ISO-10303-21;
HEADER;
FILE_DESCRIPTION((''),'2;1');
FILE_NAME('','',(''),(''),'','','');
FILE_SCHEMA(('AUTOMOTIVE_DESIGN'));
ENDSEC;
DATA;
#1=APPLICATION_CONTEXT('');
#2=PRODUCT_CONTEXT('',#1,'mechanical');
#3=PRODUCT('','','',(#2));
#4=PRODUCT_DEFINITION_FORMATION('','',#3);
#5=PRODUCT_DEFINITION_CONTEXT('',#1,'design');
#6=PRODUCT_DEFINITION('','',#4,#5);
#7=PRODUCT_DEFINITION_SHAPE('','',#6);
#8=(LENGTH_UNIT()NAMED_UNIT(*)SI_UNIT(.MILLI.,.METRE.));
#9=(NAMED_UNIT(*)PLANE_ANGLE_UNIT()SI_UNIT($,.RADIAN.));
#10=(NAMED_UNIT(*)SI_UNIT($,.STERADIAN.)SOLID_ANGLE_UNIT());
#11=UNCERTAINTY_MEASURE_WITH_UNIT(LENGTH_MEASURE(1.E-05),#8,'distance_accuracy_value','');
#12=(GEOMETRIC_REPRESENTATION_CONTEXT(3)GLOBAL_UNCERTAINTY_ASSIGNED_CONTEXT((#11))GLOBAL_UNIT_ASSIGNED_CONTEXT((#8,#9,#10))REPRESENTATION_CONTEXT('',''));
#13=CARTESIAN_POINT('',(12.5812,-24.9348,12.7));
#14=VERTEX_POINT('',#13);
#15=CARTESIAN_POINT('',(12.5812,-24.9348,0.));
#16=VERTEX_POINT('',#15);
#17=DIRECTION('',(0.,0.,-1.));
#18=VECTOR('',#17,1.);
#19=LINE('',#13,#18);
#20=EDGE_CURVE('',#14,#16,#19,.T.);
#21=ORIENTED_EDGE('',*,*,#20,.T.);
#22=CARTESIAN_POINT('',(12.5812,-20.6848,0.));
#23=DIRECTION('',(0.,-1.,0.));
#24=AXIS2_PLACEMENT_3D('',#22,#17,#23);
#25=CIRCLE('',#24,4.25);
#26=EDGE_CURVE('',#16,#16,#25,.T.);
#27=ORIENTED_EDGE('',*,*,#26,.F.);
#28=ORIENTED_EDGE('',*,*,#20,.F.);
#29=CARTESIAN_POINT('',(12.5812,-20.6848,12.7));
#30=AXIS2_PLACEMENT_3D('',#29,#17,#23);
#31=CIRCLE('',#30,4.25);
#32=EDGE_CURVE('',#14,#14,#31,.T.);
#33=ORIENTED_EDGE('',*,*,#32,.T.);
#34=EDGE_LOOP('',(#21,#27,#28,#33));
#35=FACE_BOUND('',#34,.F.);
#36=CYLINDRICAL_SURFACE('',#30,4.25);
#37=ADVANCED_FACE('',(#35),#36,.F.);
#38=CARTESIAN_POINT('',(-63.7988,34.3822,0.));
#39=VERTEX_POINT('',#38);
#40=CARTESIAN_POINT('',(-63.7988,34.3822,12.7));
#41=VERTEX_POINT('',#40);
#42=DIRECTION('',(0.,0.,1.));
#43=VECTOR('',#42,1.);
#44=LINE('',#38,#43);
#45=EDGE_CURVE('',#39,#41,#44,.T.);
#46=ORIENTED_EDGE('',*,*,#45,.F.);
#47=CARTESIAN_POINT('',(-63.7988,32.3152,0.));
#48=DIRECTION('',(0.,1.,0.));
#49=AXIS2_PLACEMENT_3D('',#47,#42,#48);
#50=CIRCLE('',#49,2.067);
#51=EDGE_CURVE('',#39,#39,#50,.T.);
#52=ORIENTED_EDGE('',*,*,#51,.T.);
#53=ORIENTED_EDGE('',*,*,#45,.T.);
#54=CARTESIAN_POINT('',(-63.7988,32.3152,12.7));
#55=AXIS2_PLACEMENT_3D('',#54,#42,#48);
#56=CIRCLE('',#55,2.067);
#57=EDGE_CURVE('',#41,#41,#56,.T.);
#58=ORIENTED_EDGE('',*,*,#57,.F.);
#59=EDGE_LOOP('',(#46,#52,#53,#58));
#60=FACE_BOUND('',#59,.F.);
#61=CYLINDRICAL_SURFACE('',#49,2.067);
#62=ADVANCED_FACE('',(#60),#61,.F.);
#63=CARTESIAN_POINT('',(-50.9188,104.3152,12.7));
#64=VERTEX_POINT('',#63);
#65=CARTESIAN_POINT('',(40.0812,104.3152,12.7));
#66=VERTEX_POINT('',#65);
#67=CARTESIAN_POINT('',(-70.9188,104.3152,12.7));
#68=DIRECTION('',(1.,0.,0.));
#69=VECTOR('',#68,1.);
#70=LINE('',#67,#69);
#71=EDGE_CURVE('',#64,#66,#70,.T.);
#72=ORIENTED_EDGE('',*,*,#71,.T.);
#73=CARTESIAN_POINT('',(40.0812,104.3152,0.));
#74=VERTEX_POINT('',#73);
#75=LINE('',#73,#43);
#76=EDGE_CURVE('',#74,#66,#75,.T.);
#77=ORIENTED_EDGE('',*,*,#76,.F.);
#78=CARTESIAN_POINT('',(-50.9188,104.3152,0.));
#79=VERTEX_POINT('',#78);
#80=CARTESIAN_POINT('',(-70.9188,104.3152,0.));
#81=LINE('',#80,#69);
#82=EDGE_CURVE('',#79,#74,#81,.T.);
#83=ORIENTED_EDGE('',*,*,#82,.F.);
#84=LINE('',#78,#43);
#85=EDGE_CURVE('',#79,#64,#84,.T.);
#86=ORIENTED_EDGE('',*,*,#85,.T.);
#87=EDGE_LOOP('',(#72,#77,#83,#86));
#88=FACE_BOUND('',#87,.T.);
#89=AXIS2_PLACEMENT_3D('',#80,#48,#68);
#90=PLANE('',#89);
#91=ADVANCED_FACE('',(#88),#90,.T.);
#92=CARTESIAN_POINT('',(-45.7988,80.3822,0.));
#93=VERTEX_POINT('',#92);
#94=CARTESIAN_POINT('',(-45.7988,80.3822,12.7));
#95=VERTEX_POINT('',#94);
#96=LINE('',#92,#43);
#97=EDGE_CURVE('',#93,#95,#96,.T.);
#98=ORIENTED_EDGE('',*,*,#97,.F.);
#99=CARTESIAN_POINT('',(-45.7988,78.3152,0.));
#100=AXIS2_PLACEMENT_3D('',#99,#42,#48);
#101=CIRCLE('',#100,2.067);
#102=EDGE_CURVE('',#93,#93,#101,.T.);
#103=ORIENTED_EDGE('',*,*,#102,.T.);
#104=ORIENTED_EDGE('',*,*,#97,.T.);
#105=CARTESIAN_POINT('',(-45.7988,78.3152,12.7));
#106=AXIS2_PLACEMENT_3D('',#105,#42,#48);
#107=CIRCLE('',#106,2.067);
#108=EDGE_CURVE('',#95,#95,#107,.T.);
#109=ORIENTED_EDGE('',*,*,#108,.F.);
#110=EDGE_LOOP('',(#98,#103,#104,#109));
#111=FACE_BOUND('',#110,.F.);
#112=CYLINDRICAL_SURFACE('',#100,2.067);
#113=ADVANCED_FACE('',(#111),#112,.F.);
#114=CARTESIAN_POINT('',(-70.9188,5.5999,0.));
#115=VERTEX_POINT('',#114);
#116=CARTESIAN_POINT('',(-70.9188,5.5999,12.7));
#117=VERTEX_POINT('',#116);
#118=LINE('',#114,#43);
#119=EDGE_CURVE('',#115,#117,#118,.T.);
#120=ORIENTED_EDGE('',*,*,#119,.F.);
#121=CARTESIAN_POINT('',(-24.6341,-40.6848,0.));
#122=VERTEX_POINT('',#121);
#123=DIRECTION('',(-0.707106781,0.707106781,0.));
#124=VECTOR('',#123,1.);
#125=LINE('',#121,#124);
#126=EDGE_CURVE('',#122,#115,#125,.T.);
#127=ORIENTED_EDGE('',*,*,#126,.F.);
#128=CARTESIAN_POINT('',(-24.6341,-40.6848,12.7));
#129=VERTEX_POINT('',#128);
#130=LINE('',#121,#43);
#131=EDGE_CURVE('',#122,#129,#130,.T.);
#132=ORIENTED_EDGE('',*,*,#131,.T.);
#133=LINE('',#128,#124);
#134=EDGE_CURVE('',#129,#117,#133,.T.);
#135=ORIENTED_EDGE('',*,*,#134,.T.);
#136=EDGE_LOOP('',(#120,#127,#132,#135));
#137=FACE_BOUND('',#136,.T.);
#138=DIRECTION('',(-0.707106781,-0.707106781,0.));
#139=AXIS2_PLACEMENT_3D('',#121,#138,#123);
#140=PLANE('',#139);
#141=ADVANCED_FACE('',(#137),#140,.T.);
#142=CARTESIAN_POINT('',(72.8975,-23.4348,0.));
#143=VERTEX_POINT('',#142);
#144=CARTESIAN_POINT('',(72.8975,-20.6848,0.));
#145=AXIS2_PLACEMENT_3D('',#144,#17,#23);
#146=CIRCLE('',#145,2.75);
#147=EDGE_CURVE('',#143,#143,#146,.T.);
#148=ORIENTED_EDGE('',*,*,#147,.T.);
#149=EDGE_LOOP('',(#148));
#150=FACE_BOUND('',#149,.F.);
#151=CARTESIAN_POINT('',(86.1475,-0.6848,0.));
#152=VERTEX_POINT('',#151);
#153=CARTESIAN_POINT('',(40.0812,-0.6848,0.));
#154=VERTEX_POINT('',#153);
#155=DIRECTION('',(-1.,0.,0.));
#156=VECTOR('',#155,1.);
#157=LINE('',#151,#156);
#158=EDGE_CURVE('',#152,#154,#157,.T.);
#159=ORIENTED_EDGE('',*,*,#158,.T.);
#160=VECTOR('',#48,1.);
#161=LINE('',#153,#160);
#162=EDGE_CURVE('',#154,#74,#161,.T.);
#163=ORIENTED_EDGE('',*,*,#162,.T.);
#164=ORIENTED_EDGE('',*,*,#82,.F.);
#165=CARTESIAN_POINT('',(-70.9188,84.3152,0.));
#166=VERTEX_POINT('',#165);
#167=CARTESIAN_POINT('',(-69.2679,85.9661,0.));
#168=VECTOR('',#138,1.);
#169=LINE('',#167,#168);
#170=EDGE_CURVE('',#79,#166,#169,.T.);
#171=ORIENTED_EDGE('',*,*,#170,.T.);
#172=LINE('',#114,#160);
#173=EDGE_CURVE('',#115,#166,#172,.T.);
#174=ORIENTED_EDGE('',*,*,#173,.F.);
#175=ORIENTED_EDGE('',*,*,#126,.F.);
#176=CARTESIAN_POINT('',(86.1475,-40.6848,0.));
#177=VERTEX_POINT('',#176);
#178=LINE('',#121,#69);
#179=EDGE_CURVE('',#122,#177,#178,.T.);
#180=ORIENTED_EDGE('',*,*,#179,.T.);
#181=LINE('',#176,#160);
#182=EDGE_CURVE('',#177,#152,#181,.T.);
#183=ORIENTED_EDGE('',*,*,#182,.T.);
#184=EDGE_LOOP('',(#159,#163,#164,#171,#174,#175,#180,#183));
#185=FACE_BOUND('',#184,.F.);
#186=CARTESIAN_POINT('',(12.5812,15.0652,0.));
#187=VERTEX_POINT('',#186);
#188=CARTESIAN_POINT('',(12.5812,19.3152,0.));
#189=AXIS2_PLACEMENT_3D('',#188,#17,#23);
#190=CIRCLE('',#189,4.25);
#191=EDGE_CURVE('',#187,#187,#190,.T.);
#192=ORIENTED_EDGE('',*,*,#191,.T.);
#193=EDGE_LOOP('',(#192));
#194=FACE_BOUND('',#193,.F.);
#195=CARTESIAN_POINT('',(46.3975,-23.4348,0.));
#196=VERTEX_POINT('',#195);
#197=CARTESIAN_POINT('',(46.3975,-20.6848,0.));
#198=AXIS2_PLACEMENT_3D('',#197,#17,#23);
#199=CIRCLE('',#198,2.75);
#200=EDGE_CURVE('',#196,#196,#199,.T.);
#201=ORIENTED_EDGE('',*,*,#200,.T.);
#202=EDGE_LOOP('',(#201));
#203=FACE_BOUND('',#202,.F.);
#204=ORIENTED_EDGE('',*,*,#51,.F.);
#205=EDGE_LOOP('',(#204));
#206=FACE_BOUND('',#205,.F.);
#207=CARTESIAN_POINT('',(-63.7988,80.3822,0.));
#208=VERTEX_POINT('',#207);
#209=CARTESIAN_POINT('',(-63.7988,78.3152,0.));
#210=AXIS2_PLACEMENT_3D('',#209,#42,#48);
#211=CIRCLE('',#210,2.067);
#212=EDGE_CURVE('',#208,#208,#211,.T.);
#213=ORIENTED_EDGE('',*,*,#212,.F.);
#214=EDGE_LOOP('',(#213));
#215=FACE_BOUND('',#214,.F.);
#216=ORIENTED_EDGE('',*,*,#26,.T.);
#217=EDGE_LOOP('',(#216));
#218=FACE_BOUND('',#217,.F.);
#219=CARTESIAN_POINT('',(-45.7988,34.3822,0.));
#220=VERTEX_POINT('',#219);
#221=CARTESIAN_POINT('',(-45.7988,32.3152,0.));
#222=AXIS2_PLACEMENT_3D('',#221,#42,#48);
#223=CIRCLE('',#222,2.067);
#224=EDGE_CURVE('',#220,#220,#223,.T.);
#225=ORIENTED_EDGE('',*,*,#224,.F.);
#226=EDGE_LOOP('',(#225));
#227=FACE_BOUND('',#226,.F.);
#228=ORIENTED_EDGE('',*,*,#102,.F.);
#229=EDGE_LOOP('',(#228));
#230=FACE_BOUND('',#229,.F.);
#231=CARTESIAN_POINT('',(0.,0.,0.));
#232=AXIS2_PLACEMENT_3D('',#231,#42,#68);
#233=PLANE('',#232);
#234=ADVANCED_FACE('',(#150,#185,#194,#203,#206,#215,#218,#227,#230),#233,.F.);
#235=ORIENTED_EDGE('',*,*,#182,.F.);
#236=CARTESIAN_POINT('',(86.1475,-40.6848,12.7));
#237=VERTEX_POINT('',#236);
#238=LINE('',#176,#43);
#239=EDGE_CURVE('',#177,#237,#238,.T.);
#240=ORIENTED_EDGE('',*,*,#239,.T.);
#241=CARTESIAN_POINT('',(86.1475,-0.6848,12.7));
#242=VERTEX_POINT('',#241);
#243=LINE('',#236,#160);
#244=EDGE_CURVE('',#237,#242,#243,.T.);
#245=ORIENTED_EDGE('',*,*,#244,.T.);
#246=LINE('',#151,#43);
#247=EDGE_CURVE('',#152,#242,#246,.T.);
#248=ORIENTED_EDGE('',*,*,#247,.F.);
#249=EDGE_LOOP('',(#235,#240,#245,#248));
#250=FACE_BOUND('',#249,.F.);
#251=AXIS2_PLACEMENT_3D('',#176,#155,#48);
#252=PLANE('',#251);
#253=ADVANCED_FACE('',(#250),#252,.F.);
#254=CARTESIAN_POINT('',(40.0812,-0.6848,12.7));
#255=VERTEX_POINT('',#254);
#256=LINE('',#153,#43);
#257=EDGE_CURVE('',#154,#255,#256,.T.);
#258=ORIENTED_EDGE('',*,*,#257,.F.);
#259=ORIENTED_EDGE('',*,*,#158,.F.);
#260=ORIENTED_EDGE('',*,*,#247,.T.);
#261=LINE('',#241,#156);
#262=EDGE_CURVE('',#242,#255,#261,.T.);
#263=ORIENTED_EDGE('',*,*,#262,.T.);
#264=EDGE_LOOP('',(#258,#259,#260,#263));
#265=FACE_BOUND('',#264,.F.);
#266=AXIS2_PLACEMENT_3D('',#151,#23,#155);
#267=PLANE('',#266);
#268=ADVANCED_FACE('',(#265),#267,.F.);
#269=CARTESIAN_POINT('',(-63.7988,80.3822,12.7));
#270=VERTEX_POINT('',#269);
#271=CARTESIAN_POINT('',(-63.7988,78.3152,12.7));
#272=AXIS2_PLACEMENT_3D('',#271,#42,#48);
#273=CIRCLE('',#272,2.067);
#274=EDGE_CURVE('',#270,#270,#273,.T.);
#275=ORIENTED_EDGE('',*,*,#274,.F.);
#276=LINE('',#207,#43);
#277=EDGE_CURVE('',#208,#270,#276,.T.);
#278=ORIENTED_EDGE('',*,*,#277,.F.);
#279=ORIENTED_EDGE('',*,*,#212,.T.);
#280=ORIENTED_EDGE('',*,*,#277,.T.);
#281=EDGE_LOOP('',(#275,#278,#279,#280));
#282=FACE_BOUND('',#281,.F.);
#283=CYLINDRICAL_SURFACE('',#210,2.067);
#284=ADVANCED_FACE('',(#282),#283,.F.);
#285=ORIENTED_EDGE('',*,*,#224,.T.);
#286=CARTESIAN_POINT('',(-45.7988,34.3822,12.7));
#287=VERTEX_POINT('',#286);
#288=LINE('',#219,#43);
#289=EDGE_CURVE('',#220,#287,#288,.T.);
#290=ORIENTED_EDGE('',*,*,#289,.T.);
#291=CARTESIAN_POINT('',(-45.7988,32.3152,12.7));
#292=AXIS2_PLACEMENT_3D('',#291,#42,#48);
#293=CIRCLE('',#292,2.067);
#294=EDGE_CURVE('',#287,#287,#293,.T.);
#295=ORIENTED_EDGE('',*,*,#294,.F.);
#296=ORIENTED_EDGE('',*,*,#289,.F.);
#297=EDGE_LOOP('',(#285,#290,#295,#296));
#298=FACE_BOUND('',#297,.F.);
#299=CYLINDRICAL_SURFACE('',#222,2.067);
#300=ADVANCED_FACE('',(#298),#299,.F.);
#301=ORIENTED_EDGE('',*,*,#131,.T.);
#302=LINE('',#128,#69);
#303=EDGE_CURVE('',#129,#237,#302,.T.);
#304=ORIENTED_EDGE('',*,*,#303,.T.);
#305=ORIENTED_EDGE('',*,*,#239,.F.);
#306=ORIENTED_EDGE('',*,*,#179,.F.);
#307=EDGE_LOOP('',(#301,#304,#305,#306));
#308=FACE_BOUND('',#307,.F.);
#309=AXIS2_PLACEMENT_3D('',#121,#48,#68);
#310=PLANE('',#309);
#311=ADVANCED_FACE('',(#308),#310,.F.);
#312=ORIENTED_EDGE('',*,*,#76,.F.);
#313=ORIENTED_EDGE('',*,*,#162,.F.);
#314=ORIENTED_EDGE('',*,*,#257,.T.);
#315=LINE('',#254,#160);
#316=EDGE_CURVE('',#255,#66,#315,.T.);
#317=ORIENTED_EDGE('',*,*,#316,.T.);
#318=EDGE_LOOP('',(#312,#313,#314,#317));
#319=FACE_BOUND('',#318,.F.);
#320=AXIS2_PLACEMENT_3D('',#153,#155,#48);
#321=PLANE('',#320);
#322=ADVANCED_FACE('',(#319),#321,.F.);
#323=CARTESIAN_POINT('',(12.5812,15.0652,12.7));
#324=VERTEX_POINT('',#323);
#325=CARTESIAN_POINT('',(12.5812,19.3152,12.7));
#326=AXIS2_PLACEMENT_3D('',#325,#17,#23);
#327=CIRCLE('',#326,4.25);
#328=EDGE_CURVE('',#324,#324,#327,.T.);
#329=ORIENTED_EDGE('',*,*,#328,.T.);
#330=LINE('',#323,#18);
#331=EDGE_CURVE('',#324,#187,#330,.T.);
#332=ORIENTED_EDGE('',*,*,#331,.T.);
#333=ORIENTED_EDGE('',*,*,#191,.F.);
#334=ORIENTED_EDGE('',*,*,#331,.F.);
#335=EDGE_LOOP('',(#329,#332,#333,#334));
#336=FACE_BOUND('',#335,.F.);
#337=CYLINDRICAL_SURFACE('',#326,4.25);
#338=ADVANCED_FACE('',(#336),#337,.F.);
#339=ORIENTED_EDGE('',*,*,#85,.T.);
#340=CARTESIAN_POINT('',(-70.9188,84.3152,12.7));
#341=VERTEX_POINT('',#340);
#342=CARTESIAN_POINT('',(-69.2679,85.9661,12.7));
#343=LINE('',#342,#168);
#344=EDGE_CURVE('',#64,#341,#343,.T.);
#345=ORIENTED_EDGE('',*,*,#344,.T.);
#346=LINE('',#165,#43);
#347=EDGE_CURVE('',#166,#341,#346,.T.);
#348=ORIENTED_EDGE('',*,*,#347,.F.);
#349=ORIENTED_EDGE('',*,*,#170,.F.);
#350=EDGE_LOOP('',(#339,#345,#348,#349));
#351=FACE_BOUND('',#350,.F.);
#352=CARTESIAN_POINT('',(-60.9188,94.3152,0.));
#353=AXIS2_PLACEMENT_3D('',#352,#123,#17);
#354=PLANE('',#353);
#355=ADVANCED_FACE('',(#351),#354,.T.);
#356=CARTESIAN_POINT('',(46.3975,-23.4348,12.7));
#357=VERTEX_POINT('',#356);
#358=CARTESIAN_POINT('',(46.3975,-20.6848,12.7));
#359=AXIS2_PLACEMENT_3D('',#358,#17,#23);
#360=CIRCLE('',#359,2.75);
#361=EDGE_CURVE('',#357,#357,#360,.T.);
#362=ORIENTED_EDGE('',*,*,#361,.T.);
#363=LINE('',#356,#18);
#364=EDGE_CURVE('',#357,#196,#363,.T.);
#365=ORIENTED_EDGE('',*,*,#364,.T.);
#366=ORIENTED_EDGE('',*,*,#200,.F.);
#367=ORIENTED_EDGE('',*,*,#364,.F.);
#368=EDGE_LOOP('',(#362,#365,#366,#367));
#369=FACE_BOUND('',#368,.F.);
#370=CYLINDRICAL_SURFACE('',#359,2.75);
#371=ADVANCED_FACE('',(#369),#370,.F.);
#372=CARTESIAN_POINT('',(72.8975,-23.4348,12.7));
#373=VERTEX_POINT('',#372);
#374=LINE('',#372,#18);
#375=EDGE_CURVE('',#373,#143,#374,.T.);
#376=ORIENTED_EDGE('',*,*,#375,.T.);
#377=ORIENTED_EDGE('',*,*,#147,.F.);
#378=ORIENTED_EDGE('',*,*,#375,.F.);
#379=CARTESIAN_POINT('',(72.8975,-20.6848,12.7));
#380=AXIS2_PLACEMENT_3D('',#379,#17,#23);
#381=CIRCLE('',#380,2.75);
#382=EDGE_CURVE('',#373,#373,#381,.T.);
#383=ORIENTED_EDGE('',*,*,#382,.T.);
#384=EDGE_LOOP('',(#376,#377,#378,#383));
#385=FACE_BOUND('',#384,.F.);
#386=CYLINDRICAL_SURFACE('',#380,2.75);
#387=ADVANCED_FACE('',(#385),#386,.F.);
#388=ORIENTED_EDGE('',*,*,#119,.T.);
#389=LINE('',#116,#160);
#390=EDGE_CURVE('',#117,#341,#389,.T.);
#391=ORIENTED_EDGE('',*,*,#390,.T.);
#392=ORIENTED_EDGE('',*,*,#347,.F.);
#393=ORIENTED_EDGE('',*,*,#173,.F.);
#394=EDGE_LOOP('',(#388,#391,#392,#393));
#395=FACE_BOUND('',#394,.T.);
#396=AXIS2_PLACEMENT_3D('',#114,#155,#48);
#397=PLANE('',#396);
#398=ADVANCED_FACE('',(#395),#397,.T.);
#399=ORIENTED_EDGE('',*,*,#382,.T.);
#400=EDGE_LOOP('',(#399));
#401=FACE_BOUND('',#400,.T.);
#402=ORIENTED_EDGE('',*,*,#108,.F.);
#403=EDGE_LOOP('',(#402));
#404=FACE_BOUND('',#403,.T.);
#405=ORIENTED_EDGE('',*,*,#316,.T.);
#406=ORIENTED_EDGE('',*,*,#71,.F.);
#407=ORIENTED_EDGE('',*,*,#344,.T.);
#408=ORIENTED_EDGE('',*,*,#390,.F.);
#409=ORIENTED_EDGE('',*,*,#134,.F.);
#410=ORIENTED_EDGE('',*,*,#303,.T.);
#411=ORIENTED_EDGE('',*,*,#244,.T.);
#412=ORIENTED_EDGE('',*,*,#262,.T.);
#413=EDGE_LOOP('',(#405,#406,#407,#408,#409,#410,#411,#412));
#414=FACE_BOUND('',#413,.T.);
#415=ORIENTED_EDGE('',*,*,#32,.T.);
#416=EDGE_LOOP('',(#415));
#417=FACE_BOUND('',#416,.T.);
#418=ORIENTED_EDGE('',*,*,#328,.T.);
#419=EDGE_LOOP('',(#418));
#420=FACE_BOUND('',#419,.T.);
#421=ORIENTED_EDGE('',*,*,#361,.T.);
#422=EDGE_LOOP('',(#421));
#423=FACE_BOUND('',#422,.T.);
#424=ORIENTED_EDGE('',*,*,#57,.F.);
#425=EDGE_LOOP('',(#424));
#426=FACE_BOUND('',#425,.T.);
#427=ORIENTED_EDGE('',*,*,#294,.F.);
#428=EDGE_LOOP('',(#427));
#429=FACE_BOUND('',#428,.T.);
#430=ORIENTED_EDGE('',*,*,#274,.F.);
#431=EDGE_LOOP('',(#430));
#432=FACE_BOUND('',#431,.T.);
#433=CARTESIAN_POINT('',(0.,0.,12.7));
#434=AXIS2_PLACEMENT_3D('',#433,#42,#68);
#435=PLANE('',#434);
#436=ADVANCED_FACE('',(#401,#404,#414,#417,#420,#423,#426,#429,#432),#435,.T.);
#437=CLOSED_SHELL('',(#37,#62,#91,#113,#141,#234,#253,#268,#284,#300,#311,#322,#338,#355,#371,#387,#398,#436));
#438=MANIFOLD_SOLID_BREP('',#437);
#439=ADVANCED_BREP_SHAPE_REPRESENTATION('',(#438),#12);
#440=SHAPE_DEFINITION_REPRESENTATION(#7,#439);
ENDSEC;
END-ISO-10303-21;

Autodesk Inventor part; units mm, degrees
ref_plane "YZ Plane" through (0, 0, 0) normal (1, 0, 0) x (0, 1, 0)
ref_plane "XZ Plane" through (0, 0, 0) normal (0, 1, 0) x (-1, 0, 0)
ref_plane "XY Plane" through (0, 0, 0) normal (0, 0, 1) x (1, 0, 0)
sketch "Esboço1" plane through (0, 0, 0) normal (0, 0, 1) x (1, 0, 0)
  line L0 (-70.9188, 104.3152) -> (40.0812, 104.3152)
  line L1 (-70.9188, 5.5999) -> (-70.9188, 104.3152)
  line L2 (-24.6341, -40.6848) -> (86.1475, -40.6848)
  line L3 (86.1475, -40.6848) -> (86.1475, -0.6848)
  line L4 (86.1475, -0.6848) -> (40.0812, -0.6848)
  line L5 (40.0812, -0.6848) -> (40.0812, 104.3152)
  line L6 (-24.6341, -40.6848) -> (-70.9188, 5.5999)
  line L7 (-24.6341, -40.6848) -> (40.8222, -40.6848) construction
  point P0 (0, 0)
  dimension "d0" = 111
  dimension "d5" = 40
  dimension "d6" = 105
  dimension "d7" = 135
  dimension "d8" = 98.7154
  dimension "d11" = 157.0662
extrude "Extrusão1" add sketch "Esboço1" along normal blind 12.7
chamfer "Chanfro1" distance 20 angle 45 1 edges at (-70.9188, 104.3152, 6.35)
sketch "Esboço2" plane through (0, 0, 0) normal (0, 0, -1) x (-1, 0, 0)
  circle A0 centre (45.7988, 78.3152) radius 2.75 construction
  circle A1 centre (63.7988, 78.3152) radius 2.75 construction
  circle A2 centre (63.7988, 32.3152) radius 2.75 construction
  circle A3 centre (45.7988, 32.3152) radius 2.75 construction
  point P0 (0, 0)
hole "Furo1" at (-45.7988, 78.3152, 0) at (-63.7988, 78.3152, 0) at (-45.7988, 32.3152, 0) at (-63.7988, 32.3152, 0) direction (0, 0, 1) diameter 4.134 end through all thread size "M5x0.8" class "6H" standard "ISO Metric profile"
sketch "Esboço3" plane through (0, 0, 12.7) normal (0, 0, 1) x (1, 0, 0)
  circle A0 centre (12.5812, -20.6848) radius 4.25 construction
  circle A1 centre (12.5812, 19.3152) radius 4.25 construction
  line L0 (40.0812, -0.6848) -> (40.0812, 104.3152) projected
  line L1 (-24.6341, -40.6848) -> (86.1475, -40.6848) projected
  point P0 (0, 0)
  dimension "d22" = 27.5
  dimension "d23" = 27.5
  dimension "d24" = 60
  dimension "d25" = 20
hole "Furo2" at (12.5812, 19.3152, 12.7) at (12.5812, -20.6848, 12.7) direction (0, 0, -1) diameter 8.5 end through all
sketch "Esboço4" plane through (0, 0, 12.7) normal (0, 0, 1) x (1, 0, 0)
  circle A0 centre (46.3975, -20.6848) radius 2.75 construction
  circle A1 centre (72.8975, -20.6848) radius 2.75 construction
  line L0 (86.1475, -40.6848) -> (86.1475, -0.6848) projected
  line L1 (86.1475, -0.6848) -> (40.0812, -0.6848) projected
  line L2 (-24.6341, -40.6848) -> (86.1475, -40.6848) projected
  point P0 (0, 0)
  dimension "d33" = 13.25
  dimension "d34" = 39.75
  dimension "d35" = 20
  dimension "d36" = 20
hole "Furo3" at (46.3975, -20.6848, 12.7) at (72.8975, -20.6848, 12.7) direction (0, 0, -1) diameter 5.5 end through all
properties part number "SUPORTE_MANCAL_FRONTAL"
